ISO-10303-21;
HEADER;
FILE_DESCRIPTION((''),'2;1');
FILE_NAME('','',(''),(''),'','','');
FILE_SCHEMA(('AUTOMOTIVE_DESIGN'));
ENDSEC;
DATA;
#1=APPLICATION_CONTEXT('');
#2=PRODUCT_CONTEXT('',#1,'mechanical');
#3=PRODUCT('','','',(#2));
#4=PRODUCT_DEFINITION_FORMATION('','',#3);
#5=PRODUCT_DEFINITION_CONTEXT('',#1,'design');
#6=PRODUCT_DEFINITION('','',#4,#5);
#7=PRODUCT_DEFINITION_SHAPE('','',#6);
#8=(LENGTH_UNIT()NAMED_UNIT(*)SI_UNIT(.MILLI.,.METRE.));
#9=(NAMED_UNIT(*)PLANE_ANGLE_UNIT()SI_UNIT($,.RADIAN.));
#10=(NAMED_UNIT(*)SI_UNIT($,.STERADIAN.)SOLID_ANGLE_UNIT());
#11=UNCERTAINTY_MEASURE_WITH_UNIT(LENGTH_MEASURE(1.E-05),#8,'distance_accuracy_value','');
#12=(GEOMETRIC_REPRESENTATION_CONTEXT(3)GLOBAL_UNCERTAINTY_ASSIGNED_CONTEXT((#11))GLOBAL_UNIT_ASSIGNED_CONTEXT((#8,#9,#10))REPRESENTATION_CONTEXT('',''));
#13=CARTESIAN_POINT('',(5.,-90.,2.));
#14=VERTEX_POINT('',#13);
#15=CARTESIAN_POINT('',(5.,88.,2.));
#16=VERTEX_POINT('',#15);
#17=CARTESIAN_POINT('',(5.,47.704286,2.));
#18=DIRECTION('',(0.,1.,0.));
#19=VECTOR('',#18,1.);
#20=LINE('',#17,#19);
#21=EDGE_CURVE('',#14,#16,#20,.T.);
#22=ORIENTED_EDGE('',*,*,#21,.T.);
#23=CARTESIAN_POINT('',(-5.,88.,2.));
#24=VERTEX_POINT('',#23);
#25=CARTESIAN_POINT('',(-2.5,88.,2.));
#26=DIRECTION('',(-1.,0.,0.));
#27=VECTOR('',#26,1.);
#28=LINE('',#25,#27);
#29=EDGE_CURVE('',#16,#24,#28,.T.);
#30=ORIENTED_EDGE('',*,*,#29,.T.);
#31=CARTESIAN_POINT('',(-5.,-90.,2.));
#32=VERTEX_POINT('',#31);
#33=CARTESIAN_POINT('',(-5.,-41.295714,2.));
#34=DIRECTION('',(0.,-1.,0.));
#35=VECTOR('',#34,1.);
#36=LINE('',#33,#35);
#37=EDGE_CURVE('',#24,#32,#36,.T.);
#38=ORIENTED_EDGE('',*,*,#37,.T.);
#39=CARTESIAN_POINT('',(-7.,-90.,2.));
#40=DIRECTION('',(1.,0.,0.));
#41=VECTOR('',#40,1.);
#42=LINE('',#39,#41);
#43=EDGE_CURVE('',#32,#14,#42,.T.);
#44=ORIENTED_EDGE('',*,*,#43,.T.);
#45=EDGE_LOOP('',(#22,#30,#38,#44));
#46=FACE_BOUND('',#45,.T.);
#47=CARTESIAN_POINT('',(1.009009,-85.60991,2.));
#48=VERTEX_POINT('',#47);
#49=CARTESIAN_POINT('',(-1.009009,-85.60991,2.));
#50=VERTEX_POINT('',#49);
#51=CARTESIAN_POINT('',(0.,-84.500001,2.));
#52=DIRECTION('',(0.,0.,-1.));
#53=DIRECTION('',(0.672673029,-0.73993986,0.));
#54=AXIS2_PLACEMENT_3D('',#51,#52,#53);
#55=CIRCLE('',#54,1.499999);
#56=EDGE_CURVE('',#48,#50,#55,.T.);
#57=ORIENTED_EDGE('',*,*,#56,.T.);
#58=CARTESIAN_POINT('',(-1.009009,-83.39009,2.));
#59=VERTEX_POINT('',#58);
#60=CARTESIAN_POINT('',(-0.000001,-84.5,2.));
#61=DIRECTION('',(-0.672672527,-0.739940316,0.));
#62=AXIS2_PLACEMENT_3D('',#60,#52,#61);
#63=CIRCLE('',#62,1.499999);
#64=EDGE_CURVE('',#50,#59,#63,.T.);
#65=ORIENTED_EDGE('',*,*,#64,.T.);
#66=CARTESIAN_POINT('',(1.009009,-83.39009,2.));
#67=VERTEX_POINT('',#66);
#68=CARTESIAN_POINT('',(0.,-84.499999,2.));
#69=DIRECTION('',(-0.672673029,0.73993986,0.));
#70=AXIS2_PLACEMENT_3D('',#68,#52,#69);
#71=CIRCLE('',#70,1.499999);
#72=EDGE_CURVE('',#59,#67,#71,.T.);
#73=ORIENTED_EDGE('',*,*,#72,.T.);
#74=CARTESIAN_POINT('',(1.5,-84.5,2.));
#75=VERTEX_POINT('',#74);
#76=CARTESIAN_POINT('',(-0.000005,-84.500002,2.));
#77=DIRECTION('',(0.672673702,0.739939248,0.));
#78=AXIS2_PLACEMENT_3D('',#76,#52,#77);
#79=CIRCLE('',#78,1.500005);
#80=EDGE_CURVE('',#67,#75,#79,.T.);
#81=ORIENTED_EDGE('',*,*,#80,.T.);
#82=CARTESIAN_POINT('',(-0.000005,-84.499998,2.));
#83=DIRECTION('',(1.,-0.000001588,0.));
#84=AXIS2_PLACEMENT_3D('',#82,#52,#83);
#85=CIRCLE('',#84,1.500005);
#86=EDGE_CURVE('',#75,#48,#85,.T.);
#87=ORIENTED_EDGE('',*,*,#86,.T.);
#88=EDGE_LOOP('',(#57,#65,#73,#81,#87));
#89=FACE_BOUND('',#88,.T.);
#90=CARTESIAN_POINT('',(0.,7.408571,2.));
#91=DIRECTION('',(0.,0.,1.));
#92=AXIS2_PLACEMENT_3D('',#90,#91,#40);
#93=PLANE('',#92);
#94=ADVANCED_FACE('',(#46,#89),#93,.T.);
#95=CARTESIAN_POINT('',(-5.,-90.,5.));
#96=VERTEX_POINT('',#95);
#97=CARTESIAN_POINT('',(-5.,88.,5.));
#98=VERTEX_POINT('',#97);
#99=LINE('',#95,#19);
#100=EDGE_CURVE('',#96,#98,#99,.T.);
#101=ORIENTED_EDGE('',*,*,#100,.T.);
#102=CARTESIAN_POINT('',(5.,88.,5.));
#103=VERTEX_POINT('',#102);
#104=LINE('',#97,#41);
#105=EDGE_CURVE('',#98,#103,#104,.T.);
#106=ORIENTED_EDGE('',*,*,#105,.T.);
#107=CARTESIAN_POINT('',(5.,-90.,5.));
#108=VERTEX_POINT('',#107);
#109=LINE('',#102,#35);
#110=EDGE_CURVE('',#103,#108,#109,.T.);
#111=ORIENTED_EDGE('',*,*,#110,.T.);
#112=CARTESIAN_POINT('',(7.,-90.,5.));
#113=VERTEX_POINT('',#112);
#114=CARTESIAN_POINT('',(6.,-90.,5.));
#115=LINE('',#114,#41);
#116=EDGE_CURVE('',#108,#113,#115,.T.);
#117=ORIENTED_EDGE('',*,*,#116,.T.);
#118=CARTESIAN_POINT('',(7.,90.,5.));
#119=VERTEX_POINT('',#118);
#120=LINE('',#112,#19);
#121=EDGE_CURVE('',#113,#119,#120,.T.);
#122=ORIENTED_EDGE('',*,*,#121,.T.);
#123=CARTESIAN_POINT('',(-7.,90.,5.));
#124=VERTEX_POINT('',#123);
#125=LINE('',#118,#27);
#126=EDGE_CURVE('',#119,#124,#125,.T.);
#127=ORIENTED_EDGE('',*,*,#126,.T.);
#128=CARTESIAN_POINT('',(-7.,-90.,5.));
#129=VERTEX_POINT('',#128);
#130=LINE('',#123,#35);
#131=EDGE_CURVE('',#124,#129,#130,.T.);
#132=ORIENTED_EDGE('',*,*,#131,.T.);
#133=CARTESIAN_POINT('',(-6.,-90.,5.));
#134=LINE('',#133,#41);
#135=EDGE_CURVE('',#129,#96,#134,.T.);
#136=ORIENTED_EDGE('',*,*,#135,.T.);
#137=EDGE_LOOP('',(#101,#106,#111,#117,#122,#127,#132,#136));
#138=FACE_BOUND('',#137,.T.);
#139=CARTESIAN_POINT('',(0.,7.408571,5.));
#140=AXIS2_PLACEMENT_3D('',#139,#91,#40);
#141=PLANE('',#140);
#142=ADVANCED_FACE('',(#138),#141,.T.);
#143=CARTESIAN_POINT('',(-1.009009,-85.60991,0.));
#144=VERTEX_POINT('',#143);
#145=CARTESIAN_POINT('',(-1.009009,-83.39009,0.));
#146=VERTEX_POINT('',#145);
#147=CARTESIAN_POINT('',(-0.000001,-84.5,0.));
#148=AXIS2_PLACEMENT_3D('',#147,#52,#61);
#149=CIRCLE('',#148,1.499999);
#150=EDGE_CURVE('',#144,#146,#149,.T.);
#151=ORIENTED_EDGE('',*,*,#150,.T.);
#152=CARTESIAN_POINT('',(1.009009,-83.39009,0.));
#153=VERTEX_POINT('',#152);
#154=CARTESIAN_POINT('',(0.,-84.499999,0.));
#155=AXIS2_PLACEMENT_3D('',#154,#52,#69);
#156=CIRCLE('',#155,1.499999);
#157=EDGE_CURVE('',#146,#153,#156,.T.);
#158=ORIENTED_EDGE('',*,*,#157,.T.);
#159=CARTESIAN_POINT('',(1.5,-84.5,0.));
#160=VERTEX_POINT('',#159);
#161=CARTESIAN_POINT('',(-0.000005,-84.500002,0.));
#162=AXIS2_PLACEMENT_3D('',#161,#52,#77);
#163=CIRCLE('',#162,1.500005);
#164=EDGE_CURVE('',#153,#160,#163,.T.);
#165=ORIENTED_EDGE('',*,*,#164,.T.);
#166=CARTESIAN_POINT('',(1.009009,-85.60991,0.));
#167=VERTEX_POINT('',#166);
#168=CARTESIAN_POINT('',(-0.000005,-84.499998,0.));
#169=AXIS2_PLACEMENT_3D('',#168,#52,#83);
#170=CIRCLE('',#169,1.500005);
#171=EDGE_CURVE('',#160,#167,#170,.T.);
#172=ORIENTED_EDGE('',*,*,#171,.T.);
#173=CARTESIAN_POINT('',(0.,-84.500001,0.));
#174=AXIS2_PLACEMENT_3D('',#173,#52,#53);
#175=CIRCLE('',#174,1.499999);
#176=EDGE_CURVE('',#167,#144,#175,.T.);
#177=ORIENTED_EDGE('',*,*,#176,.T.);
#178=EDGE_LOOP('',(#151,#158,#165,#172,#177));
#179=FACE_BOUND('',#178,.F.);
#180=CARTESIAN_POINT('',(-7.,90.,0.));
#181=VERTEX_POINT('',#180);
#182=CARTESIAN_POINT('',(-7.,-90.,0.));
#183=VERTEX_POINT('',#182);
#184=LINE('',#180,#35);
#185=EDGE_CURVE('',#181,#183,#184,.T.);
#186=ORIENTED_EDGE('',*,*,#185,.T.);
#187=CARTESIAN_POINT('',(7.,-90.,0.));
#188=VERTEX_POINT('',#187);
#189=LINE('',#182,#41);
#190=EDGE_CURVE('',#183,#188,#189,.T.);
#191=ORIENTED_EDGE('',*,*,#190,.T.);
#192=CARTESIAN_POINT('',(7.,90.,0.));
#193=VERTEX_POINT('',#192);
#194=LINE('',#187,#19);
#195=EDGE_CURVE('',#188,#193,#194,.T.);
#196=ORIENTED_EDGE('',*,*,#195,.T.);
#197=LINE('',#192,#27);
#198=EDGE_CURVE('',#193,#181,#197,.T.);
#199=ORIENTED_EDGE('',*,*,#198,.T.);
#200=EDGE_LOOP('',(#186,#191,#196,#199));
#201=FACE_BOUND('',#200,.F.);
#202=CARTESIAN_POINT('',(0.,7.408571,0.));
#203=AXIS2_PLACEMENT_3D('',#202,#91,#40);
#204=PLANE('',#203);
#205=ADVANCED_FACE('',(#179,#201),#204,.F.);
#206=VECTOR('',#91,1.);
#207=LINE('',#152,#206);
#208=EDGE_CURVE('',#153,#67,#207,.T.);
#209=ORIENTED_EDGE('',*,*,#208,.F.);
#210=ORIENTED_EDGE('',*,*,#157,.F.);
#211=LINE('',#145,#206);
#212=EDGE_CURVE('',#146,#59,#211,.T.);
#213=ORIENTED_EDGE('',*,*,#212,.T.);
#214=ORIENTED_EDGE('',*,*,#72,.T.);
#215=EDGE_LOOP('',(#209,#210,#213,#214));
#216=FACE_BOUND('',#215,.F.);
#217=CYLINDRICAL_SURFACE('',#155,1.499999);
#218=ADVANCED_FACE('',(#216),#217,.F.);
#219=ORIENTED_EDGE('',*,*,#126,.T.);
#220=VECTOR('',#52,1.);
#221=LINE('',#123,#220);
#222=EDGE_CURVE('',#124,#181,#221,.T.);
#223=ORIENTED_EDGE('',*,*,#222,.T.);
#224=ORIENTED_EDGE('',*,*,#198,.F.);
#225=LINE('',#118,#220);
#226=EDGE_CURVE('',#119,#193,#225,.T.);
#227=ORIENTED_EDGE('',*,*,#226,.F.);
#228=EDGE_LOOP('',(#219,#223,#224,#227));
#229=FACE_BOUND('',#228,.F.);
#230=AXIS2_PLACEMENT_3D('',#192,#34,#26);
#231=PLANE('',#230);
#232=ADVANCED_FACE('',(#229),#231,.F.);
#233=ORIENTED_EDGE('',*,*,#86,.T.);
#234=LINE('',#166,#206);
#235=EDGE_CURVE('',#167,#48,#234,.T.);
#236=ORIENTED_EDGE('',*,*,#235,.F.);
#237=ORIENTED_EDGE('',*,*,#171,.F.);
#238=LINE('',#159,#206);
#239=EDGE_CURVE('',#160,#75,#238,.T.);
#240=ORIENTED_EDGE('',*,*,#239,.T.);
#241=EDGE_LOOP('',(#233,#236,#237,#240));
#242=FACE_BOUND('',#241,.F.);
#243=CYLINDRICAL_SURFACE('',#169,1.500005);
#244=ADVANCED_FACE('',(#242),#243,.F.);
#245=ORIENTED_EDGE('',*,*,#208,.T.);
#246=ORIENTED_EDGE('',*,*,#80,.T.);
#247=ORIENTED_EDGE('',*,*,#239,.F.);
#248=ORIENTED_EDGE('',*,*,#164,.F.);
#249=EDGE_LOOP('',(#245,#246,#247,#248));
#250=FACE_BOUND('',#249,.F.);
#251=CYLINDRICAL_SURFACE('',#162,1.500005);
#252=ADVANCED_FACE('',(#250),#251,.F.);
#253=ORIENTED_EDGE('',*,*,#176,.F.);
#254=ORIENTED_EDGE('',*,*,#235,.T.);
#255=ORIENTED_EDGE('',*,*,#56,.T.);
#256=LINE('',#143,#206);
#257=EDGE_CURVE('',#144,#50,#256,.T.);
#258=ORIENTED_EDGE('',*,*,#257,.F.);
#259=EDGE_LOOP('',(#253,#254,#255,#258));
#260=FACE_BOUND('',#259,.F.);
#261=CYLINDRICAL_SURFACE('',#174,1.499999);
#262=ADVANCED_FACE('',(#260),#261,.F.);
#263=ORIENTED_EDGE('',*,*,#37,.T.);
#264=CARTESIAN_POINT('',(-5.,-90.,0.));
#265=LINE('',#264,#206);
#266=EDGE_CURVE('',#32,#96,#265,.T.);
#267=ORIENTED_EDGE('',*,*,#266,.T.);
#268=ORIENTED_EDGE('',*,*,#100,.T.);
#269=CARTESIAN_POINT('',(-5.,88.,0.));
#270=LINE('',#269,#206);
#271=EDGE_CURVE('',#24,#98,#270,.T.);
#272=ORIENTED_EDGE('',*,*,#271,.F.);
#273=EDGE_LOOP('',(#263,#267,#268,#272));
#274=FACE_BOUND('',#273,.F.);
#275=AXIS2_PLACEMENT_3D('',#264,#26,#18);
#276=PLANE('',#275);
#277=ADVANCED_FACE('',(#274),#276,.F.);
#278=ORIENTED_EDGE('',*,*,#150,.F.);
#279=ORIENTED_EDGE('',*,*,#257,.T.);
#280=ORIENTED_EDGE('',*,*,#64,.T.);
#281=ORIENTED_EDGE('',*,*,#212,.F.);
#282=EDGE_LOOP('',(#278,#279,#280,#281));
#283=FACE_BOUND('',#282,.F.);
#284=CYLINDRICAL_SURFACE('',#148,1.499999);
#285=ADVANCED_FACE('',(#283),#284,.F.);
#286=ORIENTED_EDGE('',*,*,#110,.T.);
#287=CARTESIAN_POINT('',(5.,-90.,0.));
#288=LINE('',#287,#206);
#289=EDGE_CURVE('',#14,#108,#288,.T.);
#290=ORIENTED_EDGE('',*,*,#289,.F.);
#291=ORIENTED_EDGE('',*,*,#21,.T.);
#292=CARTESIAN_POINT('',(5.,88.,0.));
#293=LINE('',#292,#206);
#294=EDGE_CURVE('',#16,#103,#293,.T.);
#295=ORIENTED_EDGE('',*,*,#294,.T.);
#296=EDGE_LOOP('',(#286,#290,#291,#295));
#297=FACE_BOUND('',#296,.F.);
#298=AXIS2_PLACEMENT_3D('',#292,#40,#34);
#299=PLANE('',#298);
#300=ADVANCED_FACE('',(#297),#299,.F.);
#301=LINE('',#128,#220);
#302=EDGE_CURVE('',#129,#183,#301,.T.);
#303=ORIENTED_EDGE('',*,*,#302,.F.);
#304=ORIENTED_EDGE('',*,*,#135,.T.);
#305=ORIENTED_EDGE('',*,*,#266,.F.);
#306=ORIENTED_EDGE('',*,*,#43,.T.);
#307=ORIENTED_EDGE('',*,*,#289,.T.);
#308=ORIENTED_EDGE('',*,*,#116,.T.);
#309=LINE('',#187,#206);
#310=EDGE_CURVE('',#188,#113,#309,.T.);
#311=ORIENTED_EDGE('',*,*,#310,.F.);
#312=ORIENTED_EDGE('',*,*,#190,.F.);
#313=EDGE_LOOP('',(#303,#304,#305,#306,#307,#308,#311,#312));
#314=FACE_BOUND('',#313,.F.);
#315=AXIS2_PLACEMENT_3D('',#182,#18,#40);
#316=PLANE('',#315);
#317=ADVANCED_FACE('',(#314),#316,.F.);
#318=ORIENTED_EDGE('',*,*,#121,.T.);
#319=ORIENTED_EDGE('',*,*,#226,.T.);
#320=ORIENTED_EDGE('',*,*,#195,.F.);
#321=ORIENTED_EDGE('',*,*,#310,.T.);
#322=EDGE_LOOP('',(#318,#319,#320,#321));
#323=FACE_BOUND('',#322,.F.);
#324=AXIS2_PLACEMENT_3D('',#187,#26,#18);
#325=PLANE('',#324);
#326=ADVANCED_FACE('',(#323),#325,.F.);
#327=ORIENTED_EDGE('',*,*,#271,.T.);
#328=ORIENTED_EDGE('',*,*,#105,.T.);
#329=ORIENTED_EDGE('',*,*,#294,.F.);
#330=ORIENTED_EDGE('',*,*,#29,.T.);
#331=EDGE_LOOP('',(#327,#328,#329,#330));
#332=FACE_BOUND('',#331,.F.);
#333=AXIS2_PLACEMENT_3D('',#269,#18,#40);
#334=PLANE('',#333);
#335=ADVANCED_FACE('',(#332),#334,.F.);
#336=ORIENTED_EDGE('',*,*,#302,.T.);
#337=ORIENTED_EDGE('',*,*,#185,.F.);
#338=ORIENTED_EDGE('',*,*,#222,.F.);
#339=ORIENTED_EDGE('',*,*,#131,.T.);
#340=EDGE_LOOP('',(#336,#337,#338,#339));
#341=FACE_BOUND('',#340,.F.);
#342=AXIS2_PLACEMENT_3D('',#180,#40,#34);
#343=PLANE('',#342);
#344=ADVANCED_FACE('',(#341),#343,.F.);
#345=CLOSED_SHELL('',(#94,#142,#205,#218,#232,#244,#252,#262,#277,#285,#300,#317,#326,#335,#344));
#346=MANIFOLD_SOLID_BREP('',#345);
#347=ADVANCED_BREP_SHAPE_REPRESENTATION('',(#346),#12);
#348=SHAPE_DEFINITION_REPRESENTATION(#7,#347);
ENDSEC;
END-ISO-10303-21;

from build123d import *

# Parameters (mm, degrees)
F0_W     = 5
F0_H     = 167
F0_W_2   = 2
F0_H_2   = 11
F1_DEPTH = 2
F2_DEPTH = 5


with BuildPart() as f1:
    # F0 (on Top) → F1 (new body)
    with BuildSketch(Plane.XY):
        Polygon((7, 90), (-7, 90), (-7, -79), (-5, -79), (-5, 88), (0, 88), (5, 88), (5, -79), (7, -79), align=None)
        with Locations((-2.5, 4.5)):
            Rectangle(F0_W, F0_H)
        with Locations((2.5, 4.5)):
            Rectangle(F0_W, F0_H)
        with Locations((-6, -84.5)):
            Rectangle(F0_W_2, F0_H_2)
        with BuildLine():
            Line((-1.009009, -85.60991), (-5, -90))
            Line((-5, -90), (5, -90))
            Line((5, -90), (1.009009, -85.60991))
            ThreePointArc((1.009009, -85.60991), (0, -86), (-1.009009, -85.60991))
        make_face()
        with BuildLine():
            Line((5, -90), (5, -79))
            Line((5, -79), (1.009009, -83.39009))
            ThreePointArc((1.009009, -83.39009), (1.371771, -83.89317), (1.5, -84.5))
            ThreePointArc((1.5, -84.5), (1.371771, -85.10683), (1.009009, -85.60991))
            Line((1.009009, -85.60991), (5, -90))
        make_face()
        with BuildLine():
            Line((0, -79), (-5, -79))
            Line((-5, -79), (-1.009009, -83.39009))
            ThreePointArc((-1.009009, -83.39009), (0, -83), (1.009009, -83.39009))
            Line((1.009009, -83.39009), (5, -79))
            Line((5, -79), (0, -79))
        make_face()
        with BuildLine():
            Line((-1.009009, -83.39009), (-5, -79))
            Line((-5, -79), (-5, -90))
            Line((-5, -90), (-1.009009, -85.60991))
            ThreePointArc((-1.009009, -85.60991), (-1.5, -84.5), (-1.009009, -83.39009))
        make_face()
        with Locations((6, -84.5)):
            Rectangle(F0_W_2, F0_H_2)
    extrude(amount=F1_DEPTH)

    # F0 (on Top) → F2 (join)
    with BuildSketch(Plane.XY):
        Polygon((7, 90), (-7, 90), (-7, -79), (-5, -79), (-5, 88), (0, 88), (5, 88), (5, -79), (7, -79), align=None)
        with Locations((6, -84.5)):
            Rectangle(F0_W_2, F0_H_2)
        with Locations((-6, -84.5)):
            Rectangle(F0_W_2, F0_H_2)
    extrude(amount=F2_DEPTH)


solid = f1.part
